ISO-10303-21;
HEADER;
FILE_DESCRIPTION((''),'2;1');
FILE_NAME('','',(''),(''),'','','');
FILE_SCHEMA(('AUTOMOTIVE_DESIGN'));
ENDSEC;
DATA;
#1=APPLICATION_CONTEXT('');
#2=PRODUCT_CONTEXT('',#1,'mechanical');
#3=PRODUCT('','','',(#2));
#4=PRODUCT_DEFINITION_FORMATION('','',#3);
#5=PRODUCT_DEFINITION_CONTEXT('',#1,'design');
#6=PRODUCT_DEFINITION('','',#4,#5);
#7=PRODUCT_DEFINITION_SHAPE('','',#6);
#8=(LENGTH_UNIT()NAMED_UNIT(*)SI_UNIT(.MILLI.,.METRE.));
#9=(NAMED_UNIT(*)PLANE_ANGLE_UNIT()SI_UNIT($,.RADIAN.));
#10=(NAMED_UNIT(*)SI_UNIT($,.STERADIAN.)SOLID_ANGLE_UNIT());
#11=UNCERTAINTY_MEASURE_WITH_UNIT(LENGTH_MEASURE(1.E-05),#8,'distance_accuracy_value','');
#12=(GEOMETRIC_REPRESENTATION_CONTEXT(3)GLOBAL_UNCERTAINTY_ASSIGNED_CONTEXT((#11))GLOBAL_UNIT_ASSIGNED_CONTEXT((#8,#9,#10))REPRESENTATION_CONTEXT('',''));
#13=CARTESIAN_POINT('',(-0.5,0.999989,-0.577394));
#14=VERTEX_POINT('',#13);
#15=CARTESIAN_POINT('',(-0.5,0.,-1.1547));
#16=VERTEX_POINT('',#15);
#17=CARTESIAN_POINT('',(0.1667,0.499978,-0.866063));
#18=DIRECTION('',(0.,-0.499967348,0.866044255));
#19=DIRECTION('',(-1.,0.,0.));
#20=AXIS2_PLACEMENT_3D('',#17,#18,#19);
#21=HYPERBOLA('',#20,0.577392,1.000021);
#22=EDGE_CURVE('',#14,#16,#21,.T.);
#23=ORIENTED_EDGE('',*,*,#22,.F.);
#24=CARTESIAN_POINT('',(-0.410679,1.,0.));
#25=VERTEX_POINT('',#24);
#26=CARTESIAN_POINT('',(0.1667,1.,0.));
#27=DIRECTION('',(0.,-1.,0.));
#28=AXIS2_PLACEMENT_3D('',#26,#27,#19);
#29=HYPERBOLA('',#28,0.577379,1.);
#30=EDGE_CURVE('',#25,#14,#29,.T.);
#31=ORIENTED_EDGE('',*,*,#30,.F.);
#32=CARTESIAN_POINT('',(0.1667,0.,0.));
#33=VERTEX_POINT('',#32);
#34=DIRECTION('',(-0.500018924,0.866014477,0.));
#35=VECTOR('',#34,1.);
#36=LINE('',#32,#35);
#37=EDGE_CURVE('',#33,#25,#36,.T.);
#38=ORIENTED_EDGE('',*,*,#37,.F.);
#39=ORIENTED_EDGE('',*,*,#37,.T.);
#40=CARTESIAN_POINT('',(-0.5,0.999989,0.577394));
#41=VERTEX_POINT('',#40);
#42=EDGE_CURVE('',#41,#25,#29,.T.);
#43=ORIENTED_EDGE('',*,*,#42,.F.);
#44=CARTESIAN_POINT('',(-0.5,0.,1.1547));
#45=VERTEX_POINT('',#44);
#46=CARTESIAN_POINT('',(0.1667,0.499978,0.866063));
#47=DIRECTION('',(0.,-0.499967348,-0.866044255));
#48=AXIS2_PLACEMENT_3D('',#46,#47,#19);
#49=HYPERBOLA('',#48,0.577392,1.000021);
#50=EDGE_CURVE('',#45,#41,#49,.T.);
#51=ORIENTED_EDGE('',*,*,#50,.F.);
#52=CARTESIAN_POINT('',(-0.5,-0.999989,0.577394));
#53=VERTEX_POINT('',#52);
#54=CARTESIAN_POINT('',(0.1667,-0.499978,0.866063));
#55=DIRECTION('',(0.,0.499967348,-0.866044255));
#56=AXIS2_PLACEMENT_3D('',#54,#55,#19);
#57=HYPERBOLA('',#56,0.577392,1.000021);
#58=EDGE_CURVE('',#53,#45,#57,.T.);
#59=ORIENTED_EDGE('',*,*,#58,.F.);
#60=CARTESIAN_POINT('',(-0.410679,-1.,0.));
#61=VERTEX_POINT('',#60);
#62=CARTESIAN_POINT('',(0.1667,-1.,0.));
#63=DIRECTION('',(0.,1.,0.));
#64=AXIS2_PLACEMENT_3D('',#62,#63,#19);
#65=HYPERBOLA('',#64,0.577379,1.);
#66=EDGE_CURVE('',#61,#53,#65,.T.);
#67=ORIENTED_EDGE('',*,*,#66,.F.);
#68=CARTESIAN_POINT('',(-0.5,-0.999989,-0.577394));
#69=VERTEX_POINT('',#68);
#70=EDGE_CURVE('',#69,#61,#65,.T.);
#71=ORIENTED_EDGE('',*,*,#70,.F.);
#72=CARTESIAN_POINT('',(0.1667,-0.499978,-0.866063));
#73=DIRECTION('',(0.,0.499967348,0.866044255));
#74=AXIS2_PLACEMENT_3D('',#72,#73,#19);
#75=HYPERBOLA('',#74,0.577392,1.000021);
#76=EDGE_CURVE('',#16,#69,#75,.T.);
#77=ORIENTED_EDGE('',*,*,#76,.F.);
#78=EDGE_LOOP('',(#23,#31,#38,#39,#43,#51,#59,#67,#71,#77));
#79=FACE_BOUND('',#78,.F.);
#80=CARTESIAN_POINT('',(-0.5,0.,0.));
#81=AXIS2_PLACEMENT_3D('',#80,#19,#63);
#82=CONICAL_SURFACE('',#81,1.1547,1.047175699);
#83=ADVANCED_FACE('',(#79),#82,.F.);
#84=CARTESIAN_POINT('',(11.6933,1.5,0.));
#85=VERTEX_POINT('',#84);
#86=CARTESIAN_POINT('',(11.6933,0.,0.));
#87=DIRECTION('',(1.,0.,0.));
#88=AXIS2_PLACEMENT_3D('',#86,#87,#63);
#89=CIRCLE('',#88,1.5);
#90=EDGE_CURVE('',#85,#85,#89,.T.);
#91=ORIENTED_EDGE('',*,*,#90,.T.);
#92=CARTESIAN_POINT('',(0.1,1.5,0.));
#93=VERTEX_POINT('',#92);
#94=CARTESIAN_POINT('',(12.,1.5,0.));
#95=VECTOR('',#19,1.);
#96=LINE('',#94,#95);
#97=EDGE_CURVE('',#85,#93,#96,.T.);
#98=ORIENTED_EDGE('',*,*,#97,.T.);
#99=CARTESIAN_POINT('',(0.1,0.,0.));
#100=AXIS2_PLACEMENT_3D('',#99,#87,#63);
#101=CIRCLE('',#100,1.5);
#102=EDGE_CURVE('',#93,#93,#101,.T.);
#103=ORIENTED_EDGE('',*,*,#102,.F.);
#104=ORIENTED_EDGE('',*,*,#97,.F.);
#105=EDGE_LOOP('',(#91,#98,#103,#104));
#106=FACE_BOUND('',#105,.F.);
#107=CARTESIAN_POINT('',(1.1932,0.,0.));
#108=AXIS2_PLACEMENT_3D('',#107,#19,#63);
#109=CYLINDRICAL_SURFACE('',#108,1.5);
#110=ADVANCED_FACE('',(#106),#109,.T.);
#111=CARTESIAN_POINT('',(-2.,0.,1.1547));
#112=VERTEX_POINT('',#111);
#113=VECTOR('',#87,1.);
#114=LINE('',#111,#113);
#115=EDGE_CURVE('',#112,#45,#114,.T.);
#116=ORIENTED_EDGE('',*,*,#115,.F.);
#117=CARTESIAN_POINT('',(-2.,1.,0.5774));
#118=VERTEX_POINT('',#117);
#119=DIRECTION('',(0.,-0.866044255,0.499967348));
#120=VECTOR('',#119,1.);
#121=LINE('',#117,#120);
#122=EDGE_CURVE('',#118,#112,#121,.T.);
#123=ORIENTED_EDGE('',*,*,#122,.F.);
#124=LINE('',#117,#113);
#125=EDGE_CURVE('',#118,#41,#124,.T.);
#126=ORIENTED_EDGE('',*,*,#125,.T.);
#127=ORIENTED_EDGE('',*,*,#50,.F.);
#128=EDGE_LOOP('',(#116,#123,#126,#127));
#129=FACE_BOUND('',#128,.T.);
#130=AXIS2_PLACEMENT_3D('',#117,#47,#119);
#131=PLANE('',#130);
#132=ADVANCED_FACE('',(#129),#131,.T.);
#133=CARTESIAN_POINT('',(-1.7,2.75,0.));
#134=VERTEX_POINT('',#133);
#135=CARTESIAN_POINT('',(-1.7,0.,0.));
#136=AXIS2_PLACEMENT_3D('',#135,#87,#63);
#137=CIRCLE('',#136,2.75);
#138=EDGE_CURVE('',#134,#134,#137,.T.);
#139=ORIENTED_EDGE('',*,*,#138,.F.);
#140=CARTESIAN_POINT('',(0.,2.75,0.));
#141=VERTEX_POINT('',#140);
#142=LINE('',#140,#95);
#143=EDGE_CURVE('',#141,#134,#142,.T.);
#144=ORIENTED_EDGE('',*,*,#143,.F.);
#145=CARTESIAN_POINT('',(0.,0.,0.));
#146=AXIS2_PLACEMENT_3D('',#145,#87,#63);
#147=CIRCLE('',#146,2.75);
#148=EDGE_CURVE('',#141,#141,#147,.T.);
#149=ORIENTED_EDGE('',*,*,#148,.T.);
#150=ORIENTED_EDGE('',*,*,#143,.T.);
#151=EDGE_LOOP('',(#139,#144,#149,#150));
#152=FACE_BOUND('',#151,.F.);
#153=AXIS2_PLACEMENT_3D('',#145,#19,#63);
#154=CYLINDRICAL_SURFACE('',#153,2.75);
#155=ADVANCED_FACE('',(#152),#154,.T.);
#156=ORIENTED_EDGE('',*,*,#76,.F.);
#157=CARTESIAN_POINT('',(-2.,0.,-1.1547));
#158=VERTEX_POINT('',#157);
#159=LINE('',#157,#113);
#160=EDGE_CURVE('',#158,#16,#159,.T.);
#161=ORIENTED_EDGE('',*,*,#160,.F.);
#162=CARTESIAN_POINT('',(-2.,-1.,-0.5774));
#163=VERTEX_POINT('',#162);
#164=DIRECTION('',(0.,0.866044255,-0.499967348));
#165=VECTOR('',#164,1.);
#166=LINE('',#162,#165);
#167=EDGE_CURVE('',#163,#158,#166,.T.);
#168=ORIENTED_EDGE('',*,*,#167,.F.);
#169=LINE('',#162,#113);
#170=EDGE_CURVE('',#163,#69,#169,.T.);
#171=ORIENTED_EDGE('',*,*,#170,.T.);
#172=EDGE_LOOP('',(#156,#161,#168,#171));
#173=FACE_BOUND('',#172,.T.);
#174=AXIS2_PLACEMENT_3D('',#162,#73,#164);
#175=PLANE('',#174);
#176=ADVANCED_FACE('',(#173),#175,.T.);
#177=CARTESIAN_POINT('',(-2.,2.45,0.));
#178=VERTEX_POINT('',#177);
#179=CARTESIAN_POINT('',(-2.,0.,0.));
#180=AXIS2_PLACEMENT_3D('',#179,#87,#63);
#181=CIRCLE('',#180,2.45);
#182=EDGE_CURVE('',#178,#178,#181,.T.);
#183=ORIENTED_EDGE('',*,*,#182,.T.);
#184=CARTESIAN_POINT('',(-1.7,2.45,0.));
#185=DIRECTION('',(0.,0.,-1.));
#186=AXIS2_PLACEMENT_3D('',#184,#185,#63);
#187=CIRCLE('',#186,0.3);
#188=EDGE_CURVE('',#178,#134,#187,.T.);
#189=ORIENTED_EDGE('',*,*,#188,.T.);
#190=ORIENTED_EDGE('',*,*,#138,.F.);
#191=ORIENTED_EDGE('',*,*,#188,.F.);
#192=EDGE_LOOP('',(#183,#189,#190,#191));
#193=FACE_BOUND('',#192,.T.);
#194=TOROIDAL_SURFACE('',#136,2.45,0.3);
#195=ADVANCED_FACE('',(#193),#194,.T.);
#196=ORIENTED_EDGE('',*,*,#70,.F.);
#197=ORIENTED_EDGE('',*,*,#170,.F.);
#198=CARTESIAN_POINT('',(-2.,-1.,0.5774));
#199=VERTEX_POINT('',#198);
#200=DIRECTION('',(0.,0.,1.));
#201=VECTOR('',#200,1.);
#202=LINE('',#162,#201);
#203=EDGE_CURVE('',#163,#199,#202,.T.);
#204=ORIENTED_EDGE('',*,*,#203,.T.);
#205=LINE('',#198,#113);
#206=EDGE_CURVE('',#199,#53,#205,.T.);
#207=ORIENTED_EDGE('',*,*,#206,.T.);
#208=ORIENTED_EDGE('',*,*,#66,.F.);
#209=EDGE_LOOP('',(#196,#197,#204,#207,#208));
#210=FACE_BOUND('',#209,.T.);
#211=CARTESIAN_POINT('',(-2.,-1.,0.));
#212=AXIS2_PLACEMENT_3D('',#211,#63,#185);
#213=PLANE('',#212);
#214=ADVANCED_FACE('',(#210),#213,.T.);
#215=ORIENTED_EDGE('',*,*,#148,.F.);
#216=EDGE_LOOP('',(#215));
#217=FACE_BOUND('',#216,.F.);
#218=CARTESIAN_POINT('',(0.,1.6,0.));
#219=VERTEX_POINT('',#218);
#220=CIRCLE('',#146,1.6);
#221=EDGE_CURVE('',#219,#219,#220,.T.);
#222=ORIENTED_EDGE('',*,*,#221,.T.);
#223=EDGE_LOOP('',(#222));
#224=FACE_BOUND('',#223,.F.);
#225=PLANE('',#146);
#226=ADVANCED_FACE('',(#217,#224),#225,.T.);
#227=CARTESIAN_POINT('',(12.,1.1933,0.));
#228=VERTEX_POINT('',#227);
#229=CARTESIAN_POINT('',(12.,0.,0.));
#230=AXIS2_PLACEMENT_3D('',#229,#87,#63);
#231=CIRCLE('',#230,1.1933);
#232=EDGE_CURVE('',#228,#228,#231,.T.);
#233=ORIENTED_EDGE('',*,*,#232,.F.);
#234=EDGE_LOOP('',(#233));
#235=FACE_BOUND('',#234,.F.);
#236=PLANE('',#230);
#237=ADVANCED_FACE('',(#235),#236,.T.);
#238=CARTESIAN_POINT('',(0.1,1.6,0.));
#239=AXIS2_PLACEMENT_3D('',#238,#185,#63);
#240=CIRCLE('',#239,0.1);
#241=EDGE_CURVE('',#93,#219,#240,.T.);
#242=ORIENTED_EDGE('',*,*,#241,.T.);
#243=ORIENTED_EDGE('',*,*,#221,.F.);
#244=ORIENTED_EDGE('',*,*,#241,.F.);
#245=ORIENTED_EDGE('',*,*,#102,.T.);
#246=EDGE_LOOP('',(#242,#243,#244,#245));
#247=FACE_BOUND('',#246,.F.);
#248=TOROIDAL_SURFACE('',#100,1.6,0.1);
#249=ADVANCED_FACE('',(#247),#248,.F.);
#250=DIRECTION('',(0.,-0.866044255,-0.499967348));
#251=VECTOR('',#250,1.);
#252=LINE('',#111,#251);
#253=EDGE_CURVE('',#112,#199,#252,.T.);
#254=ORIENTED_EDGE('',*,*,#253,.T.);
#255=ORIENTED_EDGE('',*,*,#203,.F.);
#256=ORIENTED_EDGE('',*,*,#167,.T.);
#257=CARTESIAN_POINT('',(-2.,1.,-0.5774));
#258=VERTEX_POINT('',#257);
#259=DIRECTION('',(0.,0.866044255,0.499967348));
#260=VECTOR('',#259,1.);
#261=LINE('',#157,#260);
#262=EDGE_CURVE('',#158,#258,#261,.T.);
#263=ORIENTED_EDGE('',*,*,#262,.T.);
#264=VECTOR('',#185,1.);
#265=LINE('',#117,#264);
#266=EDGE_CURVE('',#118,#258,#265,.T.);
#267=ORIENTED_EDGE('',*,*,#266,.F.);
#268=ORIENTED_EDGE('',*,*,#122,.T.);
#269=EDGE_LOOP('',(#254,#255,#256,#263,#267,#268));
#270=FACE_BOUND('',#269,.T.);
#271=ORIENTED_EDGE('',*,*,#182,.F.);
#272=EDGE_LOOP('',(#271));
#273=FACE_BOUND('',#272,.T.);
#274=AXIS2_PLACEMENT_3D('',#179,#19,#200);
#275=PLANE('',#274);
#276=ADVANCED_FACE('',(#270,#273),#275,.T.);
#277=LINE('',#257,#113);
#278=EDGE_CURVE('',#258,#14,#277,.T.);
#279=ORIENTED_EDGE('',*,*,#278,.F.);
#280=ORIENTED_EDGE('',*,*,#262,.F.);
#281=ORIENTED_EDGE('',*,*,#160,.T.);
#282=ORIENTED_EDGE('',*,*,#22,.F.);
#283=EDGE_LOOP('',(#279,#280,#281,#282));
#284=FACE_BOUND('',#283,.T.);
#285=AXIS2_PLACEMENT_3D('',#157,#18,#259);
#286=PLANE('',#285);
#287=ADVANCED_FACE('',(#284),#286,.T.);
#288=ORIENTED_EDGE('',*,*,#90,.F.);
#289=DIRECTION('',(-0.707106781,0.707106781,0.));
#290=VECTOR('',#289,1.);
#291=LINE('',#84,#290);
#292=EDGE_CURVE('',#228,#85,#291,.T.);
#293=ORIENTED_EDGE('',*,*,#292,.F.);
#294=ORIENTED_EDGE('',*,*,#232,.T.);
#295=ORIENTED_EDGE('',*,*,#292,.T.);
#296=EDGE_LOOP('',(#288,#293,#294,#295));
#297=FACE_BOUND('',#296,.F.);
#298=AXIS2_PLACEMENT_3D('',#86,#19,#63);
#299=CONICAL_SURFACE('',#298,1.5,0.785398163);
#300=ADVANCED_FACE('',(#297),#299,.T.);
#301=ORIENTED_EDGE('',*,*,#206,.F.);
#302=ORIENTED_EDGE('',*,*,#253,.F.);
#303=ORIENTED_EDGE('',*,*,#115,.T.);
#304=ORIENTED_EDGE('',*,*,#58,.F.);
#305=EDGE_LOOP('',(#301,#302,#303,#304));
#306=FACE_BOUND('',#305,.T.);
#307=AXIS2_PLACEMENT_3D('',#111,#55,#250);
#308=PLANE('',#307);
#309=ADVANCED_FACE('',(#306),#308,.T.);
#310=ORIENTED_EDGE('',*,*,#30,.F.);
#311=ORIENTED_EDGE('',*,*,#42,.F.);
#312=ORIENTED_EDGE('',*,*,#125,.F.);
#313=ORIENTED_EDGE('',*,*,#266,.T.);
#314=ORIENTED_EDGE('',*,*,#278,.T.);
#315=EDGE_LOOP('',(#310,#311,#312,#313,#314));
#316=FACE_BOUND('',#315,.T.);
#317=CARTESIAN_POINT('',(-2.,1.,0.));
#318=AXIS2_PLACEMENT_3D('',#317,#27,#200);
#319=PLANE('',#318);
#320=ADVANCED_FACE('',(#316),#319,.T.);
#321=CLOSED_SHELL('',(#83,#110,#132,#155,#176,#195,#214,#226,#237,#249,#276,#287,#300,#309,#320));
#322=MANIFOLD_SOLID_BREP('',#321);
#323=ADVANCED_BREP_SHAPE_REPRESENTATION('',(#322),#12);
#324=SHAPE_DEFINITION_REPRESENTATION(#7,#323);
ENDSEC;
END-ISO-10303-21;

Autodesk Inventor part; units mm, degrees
ref_plane "YZ Plane" through (0, 0, 0) normal (1, 0, 0) x (0, 1, 0)
ref_plane "XZ Plane" through (0, 0, 0) normal (0, 1, 0) x (-1, 0, 0)
sketch "Szkic1" plane through (0, 0, 0) normal (0, 0, 1) x (1, 0, 0)
  line L0 (0.1667, 0) -> (12, 0)
  line L1 (12, 0) -> (12, 1.5)
  line L2 (12, 1.5) -> (1.5, 1.5)
  line L3 (1.5, 1.5) -> (1.1932, 1.5)
  line L4 (1.1932, 1.5) -> (0, 1.5)
  line L5 (0, 1.5) -> (0, 2.75)
  line L6 (0, 2.75) -> (-2, 2.75)
  line L7 (-2, 2.75) -> (-2, 1.1547)
  line L8 (-2, 1.1547) -> (-0.5, 1.1547)
  line L9 (-0.5, 1.1547) -> (0.1667, 0)
  line L10 (-4.8, 0) -> (14.8, 0) projected
  line L11 (0, -0.55) -> (0, 3.3) projected
  line L12 (1.5, 1.5) -> (0, 1.5) construction
  dimension "d1" = 10.5
  dimension "d2" = 0.3068
  dimension "d3" = 2
  dimension "d4" = 1.5
  dimension "d5" = 60
  dimension "d6" = 3
  dimension "d7" = 3
  dimension "d8" = 2.3094
  dimension "d9" = 5.5
  dimension "d26" = 12
revolve "Bryła" add sketch "Szkic1" angle 360 about axis through (0.1667, 0, 0) along (1, 0, 0) contours L9 L11 L4 L3 L2 L1 L0 | L9 L8 L7 L6 L5 L11
sketch "Szkic2" plane through (-2, 0, 0) normal (-1, 0, 0) x (0, 0, 1)
  circle A0 centre (0, 0) radius 1.1547 projected
  line L0 (0, -3.85) -> (0, 3.85) projected
  line L1 (-3.85, 0) -> (3.85, 0) projected
  line L2 (1.1547, 0) -> (0.5774, -1)
  line L3 (0.5774, -1) -> (-0.5774, -1)
  line L4 (-0.5774, -1) -> (-1.1547, 0)
  line L5 (-1.1547, 0) -> (-0.5774, 1)
  line L6 (-0.5774, 1) -> (0.5774, 1)
  line L7 (0.5774, 1) -> (1.1547, 0)
extrude "Szczelina" add sketch "Szkic2" against normal up to next contours L7 A0 | A0 L2 | L6 L0 A0 | A0 L0 L3 | L0 L6 A0 | A0 L3 L0 | L4 A0 | A0 L5
fillet "Zaokrąglenie1" radius 0.3 1 edges at (-2, -2.75, 0)
thread "Gwint" size "M3x0.5" class "6g" standard "ISO Metric profile" length 10.5
chamfer "Faza1" distance 0.3067 distance2 0.3067 1 edges at (12, -1.5, 0) measured on face at (12, -0.6587, -0.1791)
ref_plane "Work Plane1" through (29, 0, 0) normal (0, -1, 0) x (1, 0, 0)
fillet "Fillet2" radius 0.1 1 edges at (0, -1.5, 0)
equation "\"d1\" = GEL"
equation "\"d3\" = KOH"
equation "\"d4\" = INTI"
equation "\"d6\" = GD"
equation "\"d7\" = BDM"
equation "\"d8\" = 1.1547 * SW"
equation "\"d9\" = KOD"
equation "\"d26\" = NLG"
equation "\"d30\" = R"
equation "\"d17\" = RR"
equation "\"d13\" = GEL"
equation "\"d15\" = -0.5 * SPD + 0.5 * GD"
equation "\"d16\" = GUL"
equation "\"GD\" = NND"
equation "\"NLG\" = 12"
equation "\"GEL\" = 10.5"
equation "\"KOD\" = 5.5"
equation "\"KOH\" = 2"
equation "\"INTI\" = 1.5"
equation "\"GAL\" = 0.61345 * PTC"
equation "\"GUL\" = 0.61345 * PTC"
equation "\"BDM\" = NND"
equation "\"SW\" = 2"
equation "\"RR\" = 0.3"
equation "\"SPD\" = NND - 1.2269 * PTC"
equation "\"R\" = 0.1"
equation "\"TOA\" = 30deg"
equation "\"GD1\" = THREADDIA - 1.2269 * PTC"
equation "\"THREADDIA\" = 3"
equation "\"FAWI\" = 45deg"
equation "\"ANG\" = 120deg"
equation "\"PTC\" = 0.5"
equation "\"NND\" = 3"
equation "\"E0\" = 1.155 * SW"
properties part number "DIN 7984 - M3 x 12" material "Stal, miękka"
